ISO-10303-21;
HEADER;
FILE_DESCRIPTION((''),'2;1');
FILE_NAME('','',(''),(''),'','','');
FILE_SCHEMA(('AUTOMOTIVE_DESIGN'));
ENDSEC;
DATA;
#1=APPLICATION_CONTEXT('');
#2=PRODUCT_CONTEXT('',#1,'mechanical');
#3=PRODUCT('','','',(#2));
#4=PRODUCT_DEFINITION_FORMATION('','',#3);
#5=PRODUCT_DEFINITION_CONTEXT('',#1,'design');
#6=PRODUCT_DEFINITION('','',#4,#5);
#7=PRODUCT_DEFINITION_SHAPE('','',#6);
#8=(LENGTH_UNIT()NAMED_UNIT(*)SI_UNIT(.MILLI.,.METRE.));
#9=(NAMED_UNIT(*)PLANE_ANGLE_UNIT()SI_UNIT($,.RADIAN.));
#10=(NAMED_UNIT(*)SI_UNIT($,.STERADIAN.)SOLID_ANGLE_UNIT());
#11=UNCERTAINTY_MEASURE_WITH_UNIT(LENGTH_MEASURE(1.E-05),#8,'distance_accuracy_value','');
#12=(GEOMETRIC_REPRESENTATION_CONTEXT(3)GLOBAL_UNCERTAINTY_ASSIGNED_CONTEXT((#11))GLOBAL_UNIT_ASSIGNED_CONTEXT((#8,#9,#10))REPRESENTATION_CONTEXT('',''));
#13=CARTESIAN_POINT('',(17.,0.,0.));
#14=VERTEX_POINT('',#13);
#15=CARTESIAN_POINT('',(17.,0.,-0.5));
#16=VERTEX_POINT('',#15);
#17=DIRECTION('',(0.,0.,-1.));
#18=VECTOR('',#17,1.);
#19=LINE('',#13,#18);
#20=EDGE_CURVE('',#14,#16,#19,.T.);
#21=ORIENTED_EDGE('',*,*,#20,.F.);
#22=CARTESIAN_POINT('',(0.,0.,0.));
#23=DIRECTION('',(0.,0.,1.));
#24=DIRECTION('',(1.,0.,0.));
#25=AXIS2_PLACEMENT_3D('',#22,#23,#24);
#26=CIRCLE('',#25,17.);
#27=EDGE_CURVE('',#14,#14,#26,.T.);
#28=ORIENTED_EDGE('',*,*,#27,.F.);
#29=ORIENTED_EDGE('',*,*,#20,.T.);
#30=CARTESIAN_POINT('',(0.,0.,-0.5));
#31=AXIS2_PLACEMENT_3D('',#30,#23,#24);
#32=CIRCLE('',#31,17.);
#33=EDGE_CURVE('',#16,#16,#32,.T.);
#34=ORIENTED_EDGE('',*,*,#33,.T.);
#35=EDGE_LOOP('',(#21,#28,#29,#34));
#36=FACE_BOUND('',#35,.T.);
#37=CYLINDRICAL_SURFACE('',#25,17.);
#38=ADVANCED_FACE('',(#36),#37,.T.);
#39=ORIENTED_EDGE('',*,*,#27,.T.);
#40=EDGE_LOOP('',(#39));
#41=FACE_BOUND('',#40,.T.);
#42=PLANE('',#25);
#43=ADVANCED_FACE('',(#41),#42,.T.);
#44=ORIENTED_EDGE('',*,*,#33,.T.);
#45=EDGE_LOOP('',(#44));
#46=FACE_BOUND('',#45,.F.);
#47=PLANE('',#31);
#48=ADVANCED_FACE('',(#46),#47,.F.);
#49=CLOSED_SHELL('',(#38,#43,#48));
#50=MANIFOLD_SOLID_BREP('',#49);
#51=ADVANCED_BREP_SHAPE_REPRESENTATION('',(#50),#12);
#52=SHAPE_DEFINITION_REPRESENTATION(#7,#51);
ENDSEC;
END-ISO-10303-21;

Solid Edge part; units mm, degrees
sketch "Sketch1" plane through (0, 0, 0) normal (0, 0, 1) x (1, 0, 0)
  circle A0 centre (0, 0) radius 17
extrude "Protrusion1" add sketch "Sketch1" against normal blind 0.5
